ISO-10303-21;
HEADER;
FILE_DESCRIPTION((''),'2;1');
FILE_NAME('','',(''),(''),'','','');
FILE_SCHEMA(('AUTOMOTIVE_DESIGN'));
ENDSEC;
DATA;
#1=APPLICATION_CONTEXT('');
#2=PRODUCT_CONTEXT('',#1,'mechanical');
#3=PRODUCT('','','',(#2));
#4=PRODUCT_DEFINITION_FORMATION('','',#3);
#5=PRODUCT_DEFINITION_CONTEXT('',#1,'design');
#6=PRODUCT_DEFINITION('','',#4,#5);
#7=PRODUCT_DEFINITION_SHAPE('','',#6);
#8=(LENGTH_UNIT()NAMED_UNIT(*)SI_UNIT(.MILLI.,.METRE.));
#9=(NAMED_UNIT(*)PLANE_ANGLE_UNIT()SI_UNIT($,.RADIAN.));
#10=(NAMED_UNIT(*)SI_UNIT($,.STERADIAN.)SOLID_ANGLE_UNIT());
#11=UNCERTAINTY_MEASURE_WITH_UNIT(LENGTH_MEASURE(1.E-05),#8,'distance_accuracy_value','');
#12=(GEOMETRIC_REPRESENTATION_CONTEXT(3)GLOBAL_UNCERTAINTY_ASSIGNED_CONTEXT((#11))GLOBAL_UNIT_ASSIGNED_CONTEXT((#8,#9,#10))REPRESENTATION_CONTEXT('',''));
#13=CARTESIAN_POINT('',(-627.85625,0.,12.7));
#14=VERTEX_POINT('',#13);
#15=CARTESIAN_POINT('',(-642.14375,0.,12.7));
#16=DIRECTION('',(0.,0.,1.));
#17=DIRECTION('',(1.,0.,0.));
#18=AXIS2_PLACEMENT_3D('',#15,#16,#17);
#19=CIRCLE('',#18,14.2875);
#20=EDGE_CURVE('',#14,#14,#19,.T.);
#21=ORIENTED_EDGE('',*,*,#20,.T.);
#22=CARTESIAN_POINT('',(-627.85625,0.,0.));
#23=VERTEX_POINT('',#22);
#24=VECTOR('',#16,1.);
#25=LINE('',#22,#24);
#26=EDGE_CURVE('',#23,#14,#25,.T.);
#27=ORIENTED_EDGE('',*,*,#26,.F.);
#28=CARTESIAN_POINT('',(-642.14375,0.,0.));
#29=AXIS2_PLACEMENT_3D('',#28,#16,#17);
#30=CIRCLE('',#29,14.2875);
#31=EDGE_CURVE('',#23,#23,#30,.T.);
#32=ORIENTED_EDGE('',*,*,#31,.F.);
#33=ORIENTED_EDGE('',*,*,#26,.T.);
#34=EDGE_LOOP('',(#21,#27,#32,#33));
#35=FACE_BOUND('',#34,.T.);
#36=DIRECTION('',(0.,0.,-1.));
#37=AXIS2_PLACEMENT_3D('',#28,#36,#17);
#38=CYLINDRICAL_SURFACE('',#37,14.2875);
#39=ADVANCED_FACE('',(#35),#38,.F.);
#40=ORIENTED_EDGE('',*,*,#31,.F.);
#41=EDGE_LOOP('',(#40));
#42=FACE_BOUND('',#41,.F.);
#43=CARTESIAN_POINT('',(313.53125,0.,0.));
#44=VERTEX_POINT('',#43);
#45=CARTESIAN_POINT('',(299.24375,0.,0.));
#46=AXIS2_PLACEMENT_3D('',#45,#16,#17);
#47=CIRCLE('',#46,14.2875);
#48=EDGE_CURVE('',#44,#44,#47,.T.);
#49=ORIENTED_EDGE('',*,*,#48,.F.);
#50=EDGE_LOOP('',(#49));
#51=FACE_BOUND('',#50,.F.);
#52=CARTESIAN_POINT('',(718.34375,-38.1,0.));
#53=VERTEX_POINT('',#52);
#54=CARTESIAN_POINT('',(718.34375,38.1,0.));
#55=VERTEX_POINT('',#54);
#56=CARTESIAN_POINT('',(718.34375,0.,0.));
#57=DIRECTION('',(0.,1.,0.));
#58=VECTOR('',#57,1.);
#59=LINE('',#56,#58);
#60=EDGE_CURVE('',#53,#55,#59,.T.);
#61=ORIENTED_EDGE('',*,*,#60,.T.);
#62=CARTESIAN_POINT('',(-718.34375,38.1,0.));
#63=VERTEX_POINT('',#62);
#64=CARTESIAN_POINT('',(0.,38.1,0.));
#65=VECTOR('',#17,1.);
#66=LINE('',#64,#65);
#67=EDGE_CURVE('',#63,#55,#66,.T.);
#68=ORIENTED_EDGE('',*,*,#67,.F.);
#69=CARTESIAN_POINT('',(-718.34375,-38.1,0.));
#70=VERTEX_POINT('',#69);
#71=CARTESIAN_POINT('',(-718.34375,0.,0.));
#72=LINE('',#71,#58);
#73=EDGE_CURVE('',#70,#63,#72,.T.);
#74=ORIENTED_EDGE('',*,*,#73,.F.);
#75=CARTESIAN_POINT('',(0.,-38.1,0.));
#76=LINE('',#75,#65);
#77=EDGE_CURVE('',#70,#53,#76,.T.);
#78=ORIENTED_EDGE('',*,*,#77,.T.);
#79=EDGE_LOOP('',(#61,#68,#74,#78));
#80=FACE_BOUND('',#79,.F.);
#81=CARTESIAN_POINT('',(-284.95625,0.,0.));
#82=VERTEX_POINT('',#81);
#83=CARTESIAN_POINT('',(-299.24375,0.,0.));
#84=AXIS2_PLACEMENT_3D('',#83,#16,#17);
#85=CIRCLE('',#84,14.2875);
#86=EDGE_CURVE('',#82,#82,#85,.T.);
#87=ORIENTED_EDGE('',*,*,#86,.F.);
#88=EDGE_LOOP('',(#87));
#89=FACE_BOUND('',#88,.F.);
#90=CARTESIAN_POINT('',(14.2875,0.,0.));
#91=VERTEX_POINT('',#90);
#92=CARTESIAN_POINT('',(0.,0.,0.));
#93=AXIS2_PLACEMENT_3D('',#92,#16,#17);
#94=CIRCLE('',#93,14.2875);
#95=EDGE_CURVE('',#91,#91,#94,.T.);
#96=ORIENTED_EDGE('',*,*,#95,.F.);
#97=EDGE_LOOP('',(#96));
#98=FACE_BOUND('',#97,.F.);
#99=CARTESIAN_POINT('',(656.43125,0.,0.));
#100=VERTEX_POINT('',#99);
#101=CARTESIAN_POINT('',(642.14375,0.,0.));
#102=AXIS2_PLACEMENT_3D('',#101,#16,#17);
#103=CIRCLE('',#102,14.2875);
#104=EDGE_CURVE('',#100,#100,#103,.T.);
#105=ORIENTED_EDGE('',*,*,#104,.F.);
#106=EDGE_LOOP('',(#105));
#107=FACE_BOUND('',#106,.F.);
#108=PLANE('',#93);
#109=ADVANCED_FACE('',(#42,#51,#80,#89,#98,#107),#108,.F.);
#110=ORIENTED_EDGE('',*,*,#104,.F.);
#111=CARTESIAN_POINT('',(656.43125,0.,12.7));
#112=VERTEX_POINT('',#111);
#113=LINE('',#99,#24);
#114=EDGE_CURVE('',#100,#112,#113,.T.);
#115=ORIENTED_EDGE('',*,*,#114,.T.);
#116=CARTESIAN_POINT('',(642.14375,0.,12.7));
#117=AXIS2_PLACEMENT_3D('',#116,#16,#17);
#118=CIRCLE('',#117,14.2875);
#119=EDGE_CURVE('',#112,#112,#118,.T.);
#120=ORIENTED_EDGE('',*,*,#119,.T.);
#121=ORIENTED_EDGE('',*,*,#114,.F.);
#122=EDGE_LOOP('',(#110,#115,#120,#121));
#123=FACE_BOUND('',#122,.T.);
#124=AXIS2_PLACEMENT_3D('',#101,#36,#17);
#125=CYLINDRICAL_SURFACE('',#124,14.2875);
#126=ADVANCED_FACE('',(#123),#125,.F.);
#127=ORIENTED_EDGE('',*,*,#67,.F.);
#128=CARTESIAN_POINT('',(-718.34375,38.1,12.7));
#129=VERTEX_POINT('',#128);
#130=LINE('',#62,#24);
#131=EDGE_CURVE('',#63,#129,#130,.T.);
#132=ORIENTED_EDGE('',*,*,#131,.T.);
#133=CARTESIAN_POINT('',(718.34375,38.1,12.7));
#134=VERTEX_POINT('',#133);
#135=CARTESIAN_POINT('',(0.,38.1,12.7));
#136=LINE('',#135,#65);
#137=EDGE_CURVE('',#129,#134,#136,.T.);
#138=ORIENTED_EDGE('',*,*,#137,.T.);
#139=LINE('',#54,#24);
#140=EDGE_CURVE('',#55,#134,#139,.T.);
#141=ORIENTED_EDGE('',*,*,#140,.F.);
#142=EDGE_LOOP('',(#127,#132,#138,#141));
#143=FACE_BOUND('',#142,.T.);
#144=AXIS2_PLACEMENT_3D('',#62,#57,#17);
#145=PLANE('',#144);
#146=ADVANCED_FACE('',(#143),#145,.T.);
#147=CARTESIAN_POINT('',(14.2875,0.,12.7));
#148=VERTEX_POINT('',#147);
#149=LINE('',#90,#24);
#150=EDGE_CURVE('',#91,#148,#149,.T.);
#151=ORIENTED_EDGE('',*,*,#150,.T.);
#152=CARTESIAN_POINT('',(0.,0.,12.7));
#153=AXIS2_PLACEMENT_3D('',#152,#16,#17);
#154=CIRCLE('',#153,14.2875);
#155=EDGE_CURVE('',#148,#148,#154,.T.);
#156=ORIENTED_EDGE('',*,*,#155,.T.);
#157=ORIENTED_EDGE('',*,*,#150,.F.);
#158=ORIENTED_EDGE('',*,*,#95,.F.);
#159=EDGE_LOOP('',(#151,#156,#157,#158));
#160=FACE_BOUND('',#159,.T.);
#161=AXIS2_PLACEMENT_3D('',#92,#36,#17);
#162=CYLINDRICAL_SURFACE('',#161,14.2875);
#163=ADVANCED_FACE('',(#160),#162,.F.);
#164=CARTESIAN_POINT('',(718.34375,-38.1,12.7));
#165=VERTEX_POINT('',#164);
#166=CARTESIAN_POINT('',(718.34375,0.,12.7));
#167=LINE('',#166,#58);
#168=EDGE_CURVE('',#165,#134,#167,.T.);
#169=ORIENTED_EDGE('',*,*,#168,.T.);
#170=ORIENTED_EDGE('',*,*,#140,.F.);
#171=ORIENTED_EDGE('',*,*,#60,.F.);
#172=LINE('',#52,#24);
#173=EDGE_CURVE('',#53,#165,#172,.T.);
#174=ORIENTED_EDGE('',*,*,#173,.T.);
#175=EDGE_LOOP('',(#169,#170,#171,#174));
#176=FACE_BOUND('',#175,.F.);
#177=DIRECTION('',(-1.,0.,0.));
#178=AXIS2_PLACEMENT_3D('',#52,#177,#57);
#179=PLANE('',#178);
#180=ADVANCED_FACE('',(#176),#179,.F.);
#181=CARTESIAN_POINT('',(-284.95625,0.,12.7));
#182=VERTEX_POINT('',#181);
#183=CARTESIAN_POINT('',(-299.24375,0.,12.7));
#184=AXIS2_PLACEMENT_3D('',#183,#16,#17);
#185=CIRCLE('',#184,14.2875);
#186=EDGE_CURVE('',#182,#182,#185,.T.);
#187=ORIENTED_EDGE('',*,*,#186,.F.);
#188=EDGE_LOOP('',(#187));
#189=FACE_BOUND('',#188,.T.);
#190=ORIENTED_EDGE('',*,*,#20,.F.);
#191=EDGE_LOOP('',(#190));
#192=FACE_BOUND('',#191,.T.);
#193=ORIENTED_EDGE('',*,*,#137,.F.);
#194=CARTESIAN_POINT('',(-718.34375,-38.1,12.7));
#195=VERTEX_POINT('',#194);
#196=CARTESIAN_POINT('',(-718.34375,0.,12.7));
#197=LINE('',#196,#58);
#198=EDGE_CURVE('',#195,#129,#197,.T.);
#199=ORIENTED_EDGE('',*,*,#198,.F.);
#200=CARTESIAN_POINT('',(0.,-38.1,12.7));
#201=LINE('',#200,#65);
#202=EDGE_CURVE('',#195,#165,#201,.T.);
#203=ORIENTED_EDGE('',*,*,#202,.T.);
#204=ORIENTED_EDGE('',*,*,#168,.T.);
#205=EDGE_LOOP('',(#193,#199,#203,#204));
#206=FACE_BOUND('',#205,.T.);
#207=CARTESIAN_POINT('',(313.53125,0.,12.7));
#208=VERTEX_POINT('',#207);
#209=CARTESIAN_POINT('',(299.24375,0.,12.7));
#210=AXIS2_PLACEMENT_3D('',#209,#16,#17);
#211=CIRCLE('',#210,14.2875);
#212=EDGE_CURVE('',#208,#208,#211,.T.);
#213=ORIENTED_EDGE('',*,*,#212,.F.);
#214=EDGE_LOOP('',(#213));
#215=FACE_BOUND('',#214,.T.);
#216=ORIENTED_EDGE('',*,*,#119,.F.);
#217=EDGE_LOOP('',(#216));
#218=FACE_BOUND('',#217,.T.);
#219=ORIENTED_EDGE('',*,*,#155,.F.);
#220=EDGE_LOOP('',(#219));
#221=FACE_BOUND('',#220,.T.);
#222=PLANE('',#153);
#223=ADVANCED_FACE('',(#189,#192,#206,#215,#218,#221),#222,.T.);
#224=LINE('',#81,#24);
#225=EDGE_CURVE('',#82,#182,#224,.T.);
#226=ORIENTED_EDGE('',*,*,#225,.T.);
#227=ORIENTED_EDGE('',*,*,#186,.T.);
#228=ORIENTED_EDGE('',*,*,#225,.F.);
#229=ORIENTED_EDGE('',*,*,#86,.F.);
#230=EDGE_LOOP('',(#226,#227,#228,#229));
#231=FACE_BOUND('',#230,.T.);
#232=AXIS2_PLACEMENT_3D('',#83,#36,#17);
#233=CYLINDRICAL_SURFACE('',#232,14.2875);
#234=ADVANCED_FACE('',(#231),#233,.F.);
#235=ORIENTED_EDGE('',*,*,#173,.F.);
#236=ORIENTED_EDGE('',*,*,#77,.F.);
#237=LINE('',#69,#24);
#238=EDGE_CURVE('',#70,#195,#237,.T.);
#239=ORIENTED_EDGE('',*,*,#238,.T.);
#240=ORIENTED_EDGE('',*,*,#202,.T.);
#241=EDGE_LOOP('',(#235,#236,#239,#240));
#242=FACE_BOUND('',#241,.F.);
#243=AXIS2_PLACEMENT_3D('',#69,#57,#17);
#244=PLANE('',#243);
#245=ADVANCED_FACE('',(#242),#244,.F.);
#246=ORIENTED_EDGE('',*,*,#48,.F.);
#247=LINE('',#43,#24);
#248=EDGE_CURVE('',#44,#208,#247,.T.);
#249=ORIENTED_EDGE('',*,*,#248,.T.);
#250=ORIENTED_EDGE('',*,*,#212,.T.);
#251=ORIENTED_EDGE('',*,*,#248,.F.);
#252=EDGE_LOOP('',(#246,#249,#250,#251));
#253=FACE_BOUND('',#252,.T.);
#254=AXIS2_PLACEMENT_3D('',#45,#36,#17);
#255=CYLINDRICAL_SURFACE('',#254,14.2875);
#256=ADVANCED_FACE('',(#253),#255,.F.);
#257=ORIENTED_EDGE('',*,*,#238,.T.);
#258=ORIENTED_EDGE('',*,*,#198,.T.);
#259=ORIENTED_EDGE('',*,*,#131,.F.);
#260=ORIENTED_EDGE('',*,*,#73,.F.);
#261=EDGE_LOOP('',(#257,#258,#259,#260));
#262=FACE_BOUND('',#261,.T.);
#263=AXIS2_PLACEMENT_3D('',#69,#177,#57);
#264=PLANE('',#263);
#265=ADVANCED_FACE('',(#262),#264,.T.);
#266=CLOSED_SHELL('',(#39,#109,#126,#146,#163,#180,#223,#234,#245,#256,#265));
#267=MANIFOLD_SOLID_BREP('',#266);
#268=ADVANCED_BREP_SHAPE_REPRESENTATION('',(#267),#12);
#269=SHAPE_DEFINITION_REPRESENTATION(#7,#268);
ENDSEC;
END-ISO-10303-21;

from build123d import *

# Parameters (mm, degrees)
F0_W     = 1436.6875
F0_H     = 76.2
F0_R     = 14.2875
F1_DEPTH = 12.7


with BuildPart() as f1:
    # F0 (on Top) → F1 (new body)
    with BuildSketch(Plane.XY):
        Rectangle(F0_W, F0_H)
        with Locations((-642.14375, 0)):
            Circle(F0_R, mode=Mode.SUBTRACT)
        with Locations((-299.24375, 0)):
            Circle(F0_R, mode=Mode.SUBTRACT)
        Circle(F0_R, mode=Mode.SUBTRACT)
        with Locations((299.24375, 0)):
            Circle(F0_R, mode=Mode.SUBTRACT)
        with Locations((642.14375, 0)):
            Circle(F0_R, mode=Mode.SUBTRACT)
    extrude(amount=F1_DEPTH)


solid = f1.part
